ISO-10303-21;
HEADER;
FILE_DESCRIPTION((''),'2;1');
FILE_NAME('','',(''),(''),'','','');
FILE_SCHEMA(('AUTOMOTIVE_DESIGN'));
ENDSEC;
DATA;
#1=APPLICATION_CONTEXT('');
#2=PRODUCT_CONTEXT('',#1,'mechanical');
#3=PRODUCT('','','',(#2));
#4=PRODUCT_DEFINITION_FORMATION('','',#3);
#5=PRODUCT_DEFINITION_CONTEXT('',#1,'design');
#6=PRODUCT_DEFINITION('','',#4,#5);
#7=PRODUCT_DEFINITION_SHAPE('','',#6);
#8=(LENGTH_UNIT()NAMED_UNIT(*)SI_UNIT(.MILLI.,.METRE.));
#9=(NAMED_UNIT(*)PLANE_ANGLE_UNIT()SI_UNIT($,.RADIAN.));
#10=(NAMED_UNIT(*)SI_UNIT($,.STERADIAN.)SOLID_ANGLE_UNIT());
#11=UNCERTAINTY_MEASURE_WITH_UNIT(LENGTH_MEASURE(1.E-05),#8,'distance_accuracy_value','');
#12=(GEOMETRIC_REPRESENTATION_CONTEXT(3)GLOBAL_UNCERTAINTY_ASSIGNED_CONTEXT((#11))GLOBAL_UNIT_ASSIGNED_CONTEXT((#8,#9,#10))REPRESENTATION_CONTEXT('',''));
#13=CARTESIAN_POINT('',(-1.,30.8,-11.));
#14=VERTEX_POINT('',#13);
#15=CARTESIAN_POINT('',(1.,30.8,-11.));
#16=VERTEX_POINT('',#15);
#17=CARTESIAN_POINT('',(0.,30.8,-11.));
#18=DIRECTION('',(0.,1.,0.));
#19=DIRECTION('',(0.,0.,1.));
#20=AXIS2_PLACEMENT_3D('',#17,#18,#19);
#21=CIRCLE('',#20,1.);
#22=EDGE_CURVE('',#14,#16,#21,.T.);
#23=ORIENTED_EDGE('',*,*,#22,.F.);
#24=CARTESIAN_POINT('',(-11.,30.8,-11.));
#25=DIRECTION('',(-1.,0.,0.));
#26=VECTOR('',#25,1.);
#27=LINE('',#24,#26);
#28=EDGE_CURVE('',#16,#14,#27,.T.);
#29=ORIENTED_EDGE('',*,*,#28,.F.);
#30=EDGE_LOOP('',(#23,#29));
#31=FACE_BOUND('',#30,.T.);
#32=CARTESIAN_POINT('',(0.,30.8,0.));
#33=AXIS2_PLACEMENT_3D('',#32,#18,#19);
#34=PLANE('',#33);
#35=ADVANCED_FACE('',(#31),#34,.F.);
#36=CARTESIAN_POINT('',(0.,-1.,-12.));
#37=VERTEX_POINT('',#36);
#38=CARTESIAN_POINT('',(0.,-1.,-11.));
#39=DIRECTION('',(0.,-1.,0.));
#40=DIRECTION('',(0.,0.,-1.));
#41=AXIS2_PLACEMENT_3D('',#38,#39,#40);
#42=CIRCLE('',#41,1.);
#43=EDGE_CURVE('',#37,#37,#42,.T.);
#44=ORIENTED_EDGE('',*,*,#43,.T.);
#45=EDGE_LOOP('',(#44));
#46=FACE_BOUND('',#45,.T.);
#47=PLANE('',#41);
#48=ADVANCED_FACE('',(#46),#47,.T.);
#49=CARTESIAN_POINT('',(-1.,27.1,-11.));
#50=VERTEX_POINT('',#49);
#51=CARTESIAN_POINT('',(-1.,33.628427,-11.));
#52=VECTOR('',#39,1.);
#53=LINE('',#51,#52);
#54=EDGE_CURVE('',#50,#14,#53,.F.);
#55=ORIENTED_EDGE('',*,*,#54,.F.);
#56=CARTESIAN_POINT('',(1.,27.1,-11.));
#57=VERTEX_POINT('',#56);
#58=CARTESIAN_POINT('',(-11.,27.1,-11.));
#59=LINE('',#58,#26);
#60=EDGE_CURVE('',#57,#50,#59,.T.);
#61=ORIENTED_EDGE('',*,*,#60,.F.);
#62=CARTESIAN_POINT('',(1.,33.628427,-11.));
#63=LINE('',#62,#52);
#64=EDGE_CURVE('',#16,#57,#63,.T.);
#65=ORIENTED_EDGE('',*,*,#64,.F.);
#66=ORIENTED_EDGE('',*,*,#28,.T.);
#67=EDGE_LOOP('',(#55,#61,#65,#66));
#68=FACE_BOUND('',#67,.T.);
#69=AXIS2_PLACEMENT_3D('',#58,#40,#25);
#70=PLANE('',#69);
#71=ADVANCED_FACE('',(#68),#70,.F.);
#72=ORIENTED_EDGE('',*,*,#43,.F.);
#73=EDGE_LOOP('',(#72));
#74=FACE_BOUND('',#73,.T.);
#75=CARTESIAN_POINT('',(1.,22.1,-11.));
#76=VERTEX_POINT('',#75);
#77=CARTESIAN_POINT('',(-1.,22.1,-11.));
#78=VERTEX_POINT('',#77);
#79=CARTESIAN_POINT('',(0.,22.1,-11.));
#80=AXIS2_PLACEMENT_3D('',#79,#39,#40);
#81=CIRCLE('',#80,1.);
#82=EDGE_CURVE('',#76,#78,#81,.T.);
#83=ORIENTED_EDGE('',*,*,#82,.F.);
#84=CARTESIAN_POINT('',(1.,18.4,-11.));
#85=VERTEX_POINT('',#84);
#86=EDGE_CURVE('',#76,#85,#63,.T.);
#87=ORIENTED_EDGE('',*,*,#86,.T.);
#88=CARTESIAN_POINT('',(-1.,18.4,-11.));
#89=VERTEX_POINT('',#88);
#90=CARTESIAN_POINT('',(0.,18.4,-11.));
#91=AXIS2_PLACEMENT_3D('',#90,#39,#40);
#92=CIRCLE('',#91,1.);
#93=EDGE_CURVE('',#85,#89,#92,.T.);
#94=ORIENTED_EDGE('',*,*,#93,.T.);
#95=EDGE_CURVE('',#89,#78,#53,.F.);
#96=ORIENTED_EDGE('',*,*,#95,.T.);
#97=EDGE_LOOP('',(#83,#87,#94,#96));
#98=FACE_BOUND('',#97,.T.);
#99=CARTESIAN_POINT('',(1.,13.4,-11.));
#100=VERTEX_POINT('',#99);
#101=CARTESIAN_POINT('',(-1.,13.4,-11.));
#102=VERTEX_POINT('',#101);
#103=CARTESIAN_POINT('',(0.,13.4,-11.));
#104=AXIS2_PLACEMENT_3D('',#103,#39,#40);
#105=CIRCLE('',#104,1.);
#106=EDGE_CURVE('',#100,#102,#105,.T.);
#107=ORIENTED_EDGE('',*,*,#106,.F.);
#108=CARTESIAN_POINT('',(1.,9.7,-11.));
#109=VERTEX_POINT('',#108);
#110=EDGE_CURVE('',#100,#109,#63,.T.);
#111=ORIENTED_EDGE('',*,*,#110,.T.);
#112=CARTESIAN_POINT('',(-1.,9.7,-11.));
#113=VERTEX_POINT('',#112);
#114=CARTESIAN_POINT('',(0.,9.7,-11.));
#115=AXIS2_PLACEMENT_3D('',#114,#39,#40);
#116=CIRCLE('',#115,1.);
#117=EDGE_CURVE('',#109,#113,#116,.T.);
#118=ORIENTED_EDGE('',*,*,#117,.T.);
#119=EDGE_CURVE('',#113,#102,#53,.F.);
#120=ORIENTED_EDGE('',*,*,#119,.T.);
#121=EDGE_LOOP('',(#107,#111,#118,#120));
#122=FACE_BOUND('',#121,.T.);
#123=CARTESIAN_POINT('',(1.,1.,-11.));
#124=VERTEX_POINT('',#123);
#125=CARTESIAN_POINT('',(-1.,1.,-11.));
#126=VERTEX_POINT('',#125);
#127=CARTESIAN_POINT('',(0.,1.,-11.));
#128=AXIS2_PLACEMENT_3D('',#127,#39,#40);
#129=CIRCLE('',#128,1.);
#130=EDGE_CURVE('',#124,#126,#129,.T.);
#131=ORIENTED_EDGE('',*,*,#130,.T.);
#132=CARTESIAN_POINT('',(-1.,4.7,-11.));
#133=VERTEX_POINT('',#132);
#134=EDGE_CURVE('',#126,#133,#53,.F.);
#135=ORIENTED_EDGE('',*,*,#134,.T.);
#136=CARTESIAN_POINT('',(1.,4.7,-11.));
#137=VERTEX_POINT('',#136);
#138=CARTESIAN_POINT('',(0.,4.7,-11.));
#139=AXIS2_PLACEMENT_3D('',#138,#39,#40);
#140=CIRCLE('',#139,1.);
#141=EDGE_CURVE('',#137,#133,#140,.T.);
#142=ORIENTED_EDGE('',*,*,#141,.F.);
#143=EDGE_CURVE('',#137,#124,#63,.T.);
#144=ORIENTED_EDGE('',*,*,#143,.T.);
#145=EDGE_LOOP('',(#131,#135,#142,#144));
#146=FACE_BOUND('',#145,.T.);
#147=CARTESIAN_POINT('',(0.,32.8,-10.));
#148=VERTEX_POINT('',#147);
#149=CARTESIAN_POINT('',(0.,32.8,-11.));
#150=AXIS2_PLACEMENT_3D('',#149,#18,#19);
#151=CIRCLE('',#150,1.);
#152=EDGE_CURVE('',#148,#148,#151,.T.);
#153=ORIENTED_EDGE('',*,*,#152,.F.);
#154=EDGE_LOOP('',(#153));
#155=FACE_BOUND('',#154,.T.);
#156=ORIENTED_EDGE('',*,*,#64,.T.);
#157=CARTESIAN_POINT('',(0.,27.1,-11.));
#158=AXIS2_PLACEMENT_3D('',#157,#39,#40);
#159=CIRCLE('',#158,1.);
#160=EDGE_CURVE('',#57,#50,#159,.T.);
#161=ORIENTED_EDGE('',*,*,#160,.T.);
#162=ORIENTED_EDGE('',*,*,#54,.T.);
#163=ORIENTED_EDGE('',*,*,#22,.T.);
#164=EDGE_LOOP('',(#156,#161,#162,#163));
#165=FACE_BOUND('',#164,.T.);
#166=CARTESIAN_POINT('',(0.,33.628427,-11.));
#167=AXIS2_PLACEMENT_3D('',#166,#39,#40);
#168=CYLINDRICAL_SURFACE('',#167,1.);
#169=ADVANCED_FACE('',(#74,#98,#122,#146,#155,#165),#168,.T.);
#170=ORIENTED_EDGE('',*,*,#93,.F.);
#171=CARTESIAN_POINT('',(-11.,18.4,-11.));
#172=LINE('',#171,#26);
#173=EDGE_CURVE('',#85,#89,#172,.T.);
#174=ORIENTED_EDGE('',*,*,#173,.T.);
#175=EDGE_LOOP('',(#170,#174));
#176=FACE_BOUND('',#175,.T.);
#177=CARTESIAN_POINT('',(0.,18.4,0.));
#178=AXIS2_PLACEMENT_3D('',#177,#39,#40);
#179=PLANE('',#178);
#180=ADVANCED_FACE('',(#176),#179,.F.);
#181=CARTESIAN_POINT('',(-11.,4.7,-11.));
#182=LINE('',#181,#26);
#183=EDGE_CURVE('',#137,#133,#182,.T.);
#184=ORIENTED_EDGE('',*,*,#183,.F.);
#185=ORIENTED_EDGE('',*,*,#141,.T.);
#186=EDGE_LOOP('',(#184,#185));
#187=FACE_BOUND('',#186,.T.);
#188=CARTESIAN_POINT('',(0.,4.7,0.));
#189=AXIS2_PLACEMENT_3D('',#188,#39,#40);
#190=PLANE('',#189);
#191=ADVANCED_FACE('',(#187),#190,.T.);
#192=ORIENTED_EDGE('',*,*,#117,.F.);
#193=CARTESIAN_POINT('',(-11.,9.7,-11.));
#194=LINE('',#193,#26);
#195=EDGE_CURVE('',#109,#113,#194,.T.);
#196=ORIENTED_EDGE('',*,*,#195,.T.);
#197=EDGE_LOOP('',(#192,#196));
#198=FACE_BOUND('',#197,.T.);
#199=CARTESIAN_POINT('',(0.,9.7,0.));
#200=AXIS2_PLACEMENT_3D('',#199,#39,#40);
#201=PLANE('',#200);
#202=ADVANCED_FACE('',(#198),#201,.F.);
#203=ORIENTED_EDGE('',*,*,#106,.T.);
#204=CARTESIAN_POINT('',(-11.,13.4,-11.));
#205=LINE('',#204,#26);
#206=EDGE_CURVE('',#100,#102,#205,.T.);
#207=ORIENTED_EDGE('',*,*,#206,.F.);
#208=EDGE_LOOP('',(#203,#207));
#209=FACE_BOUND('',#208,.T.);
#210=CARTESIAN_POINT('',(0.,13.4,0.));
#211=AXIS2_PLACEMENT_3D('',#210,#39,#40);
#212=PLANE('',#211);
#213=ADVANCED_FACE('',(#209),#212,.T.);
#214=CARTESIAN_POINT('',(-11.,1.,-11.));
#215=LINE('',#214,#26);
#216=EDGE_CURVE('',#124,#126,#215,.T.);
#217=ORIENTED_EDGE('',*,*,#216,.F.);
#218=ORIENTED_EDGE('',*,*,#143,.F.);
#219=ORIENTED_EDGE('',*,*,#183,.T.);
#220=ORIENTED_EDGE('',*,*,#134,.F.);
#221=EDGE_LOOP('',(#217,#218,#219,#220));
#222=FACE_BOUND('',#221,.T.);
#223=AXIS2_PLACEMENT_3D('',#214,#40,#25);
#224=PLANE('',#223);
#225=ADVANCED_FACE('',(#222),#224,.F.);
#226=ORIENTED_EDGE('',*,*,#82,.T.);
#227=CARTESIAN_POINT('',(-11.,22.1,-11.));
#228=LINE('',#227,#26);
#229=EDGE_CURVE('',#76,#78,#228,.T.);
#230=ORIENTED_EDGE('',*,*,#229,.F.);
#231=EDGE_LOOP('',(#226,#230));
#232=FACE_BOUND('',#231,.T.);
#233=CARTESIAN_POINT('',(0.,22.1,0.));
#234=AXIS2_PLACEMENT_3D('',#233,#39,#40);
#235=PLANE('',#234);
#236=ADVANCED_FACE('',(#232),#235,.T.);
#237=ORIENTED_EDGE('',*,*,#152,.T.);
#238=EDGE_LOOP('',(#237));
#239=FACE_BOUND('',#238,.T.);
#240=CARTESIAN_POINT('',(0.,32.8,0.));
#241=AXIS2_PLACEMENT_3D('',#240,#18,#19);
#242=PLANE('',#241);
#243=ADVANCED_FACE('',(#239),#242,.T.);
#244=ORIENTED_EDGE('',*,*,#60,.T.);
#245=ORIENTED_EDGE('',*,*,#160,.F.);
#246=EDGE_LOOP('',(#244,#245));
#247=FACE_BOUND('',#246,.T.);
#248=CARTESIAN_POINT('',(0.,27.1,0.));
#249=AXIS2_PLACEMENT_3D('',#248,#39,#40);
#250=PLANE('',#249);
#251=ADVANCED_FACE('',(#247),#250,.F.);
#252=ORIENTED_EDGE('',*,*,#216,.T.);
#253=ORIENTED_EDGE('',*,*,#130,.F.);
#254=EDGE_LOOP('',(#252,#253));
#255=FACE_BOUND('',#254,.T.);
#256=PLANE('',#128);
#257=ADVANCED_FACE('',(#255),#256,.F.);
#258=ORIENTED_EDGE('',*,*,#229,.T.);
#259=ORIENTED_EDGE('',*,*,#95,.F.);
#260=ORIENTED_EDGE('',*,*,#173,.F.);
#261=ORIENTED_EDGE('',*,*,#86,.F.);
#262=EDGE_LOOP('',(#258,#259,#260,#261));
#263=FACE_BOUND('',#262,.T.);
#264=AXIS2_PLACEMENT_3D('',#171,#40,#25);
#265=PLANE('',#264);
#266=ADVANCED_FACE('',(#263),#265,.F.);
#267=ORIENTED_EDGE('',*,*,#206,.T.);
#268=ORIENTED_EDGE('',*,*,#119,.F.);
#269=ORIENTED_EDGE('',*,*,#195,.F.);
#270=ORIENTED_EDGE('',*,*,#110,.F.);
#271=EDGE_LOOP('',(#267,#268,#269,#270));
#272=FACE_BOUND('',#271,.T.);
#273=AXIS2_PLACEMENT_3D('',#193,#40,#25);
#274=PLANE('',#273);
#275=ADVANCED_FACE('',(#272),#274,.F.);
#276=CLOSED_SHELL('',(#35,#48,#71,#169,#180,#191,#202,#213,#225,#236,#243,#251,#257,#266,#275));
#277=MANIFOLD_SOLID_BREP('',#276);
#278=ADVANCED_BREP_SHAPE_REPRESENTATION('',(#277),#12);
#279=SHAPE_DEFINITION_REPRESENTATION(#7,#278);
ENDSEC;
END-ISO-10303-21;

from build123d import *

# Parameters (mm, degrees)
SKETCH1_R           = 13
BOSS_EXTRUDE1_DEPTH = 1
SKETCH16_R          = 13
BOSS_EXTRUDE3_DEPTH = 1
SKETCH19_R          = 1
BOSS_EXTRUDE4_DEPTH = 29.8
SKETCH18_W          = 22
SKETCH18_H          = 22
CUT_EXTRUDE6_DEPTH  = 3.7
SKETCH21_W          = 22
SKETCH21_H          = 22
CUT_EXTRUDE7_DEPTH  = 3.7
SKETCH22_W          = 22
SKETCH22_H          = 22
CUT_EXTRUDE8_DEPTH  = 3.7
SKETCH23_W          = 22
SKETCH23_H          = 22
CUT_EXTRUDE9_DEPTH  = 3.7
SKETCH24_R          = 19.921792127
CUT_EXTRUDE10_DEPTH = 1
SKETCH25_R          = 36.182885583
CUT_EXTRUDE11_DEPTH = 1
SKETCH26_R          = 1
BOSS_EXTRUDE5_DEPTH = 2
BOSS_EXTRUDE6_START = 2
SKETCH27_R          = 1
BOSS_EXTRUDE6_DEPTH = 2


with BuildPart() as part:
    # Sketch1 → Boss-Extrude1 (new body)
    with BuildSketch(Plane(origin=(0, 0, 0), x_dir=(1, 0, 0), z_dir=(0, 1, 0))):
        with Locations(Location((0, 0, 0), (0, 0, 270))):
            Circle(SKETCH1_R)
    extrude(amount=BOSS_EXTRUDE1_DEPTH)



with BuildPart() as body_2:
    # Sketch16 → Boss-Extrude3 (new body)
    with BuildSketch(Plane(origin=(0, 30.8, 0), x_dir=(1, 0, 0), z_dir=(0, 1, 0))):
        with Locations(Location((0, 0, 0), (0, 0, 270))):
            Circle(SKETCH16_R)
    extrude(amount=BOSS_EXTRUDE3_DEPTH)


with BuildPart() as part_1:
    add(part.part)

    add(body_2.part)  # Boss-Extrude4 merges body 2
    # Sketch19 → Boss-Extrude4 (add)
    with BuildSketch(Plane(origin=(0, 1, 0), x_dir=(1, 0, 0), z_dir=(0, 1, 0))):
        with Locations(Location((0, 11, 0), (0, 0, 270))):
            Circle(SKETCH19_R)
    extrude(amount=BOSS_EXTRUDE4_DEPTH)

    # Sketch18 → Cut-Extrude6 (cut)
    with BuildSketch(Plane(origin=(0, 4.7, 0), x_dir=(1, 0, 0), z_dir=(0, 1, 0))):
        Rectangle(SKETCH18_W, SKETCH18_H)
    extrude(amount=-CUT_EXTRUDE6_DEPTH, mode=Mode.SUBTRACT)

    # Sketch21 → Cut-Extrude7 (cut)
    with BuildSketch(Plane(origin=(0, 13.4, 0), x_dir=(1, 0, 0), z_dir=(0, 1, 0))):
        Rectangle(SKETCH21_W, SKETCH21_H)
    extrude(amount=-CUT_EXTRUDE7_DEPTH, mode=Mode.SUBTRACT)

    # Sketch22 → Cut-Extrude8 (cut)
    with BuildSketch(Plane(origin=(0, 22.1, 0), x_dir=(1, 0, 0), z_dir=(0, 1, 0))):
        Rectangle(SKETCH22_W, SKETCH22_H)
    extrude(amount=-CUT_EXTRUDE8_DEPTH, mode=Mode.SUBTRACT)

    # Sketch23 → Cut-Extrude9 (cut)
    with BuildSketch(Plane(origin=(0, 30.8, 0), x_dir=(1, 0, 0), z_dir=(0, 1, 0))):
        Rectangle(SKETCH23_W, SKETCH23_H)
    extrude(amount=-CUT_EXTRUDE9_DEPTH, mode=Mode.SUBTRACT)

    # Sketch24 → Cut-Extrude10 (cut)
    with BuildSketch(Plane(origin=(0, 31.8, 0), x_dir=(1, 0, 0), z_dir=(0, 1, 0))):
        Circle(SKETCH24_R)
    extrude(amount=-CUT_EXTRUDE10_DEPTH, mode=Mode.SUBTRACT)

    # Sketch25 → Cut-Extrude11 (cut)
    with BuildSketch(Plane(origin=(0, 1, 0), x_dir=(1, 0, 0), z_dir=(0, 1, 0))):
        Circle(SKETCH25_R)
    extrude(amount=-CUT_EXTRUDE11_DEPTH, mode=Mode.SUBTRACT)

    # Sketch26 → Boss-Extrude5 (add)
    with BuildSketch(Plane(origin=(0, 30.8, 0), x_dir=(1, 0, 0), z_dir=(0, 1, 0))):
        with Locations((0, 11)):
            Circle(SKETCH26_R)
    extrude(amount=BOSS_EXTRUDE5_DEPTH)

    # Sketch27 → Boss-Extrude6 (add)
    with BuildSketch(Plane.XZ.offset(-1).offset(BOSS_EXTRUDE6_START)):
        with Locations(Location((0, -11, 0), (0, 0, 270))):
            Circle(SKETCH27_R)
    extrude(amount=-BOSS_EXTRUDE6_DEPTH)


solid = part_1.part
